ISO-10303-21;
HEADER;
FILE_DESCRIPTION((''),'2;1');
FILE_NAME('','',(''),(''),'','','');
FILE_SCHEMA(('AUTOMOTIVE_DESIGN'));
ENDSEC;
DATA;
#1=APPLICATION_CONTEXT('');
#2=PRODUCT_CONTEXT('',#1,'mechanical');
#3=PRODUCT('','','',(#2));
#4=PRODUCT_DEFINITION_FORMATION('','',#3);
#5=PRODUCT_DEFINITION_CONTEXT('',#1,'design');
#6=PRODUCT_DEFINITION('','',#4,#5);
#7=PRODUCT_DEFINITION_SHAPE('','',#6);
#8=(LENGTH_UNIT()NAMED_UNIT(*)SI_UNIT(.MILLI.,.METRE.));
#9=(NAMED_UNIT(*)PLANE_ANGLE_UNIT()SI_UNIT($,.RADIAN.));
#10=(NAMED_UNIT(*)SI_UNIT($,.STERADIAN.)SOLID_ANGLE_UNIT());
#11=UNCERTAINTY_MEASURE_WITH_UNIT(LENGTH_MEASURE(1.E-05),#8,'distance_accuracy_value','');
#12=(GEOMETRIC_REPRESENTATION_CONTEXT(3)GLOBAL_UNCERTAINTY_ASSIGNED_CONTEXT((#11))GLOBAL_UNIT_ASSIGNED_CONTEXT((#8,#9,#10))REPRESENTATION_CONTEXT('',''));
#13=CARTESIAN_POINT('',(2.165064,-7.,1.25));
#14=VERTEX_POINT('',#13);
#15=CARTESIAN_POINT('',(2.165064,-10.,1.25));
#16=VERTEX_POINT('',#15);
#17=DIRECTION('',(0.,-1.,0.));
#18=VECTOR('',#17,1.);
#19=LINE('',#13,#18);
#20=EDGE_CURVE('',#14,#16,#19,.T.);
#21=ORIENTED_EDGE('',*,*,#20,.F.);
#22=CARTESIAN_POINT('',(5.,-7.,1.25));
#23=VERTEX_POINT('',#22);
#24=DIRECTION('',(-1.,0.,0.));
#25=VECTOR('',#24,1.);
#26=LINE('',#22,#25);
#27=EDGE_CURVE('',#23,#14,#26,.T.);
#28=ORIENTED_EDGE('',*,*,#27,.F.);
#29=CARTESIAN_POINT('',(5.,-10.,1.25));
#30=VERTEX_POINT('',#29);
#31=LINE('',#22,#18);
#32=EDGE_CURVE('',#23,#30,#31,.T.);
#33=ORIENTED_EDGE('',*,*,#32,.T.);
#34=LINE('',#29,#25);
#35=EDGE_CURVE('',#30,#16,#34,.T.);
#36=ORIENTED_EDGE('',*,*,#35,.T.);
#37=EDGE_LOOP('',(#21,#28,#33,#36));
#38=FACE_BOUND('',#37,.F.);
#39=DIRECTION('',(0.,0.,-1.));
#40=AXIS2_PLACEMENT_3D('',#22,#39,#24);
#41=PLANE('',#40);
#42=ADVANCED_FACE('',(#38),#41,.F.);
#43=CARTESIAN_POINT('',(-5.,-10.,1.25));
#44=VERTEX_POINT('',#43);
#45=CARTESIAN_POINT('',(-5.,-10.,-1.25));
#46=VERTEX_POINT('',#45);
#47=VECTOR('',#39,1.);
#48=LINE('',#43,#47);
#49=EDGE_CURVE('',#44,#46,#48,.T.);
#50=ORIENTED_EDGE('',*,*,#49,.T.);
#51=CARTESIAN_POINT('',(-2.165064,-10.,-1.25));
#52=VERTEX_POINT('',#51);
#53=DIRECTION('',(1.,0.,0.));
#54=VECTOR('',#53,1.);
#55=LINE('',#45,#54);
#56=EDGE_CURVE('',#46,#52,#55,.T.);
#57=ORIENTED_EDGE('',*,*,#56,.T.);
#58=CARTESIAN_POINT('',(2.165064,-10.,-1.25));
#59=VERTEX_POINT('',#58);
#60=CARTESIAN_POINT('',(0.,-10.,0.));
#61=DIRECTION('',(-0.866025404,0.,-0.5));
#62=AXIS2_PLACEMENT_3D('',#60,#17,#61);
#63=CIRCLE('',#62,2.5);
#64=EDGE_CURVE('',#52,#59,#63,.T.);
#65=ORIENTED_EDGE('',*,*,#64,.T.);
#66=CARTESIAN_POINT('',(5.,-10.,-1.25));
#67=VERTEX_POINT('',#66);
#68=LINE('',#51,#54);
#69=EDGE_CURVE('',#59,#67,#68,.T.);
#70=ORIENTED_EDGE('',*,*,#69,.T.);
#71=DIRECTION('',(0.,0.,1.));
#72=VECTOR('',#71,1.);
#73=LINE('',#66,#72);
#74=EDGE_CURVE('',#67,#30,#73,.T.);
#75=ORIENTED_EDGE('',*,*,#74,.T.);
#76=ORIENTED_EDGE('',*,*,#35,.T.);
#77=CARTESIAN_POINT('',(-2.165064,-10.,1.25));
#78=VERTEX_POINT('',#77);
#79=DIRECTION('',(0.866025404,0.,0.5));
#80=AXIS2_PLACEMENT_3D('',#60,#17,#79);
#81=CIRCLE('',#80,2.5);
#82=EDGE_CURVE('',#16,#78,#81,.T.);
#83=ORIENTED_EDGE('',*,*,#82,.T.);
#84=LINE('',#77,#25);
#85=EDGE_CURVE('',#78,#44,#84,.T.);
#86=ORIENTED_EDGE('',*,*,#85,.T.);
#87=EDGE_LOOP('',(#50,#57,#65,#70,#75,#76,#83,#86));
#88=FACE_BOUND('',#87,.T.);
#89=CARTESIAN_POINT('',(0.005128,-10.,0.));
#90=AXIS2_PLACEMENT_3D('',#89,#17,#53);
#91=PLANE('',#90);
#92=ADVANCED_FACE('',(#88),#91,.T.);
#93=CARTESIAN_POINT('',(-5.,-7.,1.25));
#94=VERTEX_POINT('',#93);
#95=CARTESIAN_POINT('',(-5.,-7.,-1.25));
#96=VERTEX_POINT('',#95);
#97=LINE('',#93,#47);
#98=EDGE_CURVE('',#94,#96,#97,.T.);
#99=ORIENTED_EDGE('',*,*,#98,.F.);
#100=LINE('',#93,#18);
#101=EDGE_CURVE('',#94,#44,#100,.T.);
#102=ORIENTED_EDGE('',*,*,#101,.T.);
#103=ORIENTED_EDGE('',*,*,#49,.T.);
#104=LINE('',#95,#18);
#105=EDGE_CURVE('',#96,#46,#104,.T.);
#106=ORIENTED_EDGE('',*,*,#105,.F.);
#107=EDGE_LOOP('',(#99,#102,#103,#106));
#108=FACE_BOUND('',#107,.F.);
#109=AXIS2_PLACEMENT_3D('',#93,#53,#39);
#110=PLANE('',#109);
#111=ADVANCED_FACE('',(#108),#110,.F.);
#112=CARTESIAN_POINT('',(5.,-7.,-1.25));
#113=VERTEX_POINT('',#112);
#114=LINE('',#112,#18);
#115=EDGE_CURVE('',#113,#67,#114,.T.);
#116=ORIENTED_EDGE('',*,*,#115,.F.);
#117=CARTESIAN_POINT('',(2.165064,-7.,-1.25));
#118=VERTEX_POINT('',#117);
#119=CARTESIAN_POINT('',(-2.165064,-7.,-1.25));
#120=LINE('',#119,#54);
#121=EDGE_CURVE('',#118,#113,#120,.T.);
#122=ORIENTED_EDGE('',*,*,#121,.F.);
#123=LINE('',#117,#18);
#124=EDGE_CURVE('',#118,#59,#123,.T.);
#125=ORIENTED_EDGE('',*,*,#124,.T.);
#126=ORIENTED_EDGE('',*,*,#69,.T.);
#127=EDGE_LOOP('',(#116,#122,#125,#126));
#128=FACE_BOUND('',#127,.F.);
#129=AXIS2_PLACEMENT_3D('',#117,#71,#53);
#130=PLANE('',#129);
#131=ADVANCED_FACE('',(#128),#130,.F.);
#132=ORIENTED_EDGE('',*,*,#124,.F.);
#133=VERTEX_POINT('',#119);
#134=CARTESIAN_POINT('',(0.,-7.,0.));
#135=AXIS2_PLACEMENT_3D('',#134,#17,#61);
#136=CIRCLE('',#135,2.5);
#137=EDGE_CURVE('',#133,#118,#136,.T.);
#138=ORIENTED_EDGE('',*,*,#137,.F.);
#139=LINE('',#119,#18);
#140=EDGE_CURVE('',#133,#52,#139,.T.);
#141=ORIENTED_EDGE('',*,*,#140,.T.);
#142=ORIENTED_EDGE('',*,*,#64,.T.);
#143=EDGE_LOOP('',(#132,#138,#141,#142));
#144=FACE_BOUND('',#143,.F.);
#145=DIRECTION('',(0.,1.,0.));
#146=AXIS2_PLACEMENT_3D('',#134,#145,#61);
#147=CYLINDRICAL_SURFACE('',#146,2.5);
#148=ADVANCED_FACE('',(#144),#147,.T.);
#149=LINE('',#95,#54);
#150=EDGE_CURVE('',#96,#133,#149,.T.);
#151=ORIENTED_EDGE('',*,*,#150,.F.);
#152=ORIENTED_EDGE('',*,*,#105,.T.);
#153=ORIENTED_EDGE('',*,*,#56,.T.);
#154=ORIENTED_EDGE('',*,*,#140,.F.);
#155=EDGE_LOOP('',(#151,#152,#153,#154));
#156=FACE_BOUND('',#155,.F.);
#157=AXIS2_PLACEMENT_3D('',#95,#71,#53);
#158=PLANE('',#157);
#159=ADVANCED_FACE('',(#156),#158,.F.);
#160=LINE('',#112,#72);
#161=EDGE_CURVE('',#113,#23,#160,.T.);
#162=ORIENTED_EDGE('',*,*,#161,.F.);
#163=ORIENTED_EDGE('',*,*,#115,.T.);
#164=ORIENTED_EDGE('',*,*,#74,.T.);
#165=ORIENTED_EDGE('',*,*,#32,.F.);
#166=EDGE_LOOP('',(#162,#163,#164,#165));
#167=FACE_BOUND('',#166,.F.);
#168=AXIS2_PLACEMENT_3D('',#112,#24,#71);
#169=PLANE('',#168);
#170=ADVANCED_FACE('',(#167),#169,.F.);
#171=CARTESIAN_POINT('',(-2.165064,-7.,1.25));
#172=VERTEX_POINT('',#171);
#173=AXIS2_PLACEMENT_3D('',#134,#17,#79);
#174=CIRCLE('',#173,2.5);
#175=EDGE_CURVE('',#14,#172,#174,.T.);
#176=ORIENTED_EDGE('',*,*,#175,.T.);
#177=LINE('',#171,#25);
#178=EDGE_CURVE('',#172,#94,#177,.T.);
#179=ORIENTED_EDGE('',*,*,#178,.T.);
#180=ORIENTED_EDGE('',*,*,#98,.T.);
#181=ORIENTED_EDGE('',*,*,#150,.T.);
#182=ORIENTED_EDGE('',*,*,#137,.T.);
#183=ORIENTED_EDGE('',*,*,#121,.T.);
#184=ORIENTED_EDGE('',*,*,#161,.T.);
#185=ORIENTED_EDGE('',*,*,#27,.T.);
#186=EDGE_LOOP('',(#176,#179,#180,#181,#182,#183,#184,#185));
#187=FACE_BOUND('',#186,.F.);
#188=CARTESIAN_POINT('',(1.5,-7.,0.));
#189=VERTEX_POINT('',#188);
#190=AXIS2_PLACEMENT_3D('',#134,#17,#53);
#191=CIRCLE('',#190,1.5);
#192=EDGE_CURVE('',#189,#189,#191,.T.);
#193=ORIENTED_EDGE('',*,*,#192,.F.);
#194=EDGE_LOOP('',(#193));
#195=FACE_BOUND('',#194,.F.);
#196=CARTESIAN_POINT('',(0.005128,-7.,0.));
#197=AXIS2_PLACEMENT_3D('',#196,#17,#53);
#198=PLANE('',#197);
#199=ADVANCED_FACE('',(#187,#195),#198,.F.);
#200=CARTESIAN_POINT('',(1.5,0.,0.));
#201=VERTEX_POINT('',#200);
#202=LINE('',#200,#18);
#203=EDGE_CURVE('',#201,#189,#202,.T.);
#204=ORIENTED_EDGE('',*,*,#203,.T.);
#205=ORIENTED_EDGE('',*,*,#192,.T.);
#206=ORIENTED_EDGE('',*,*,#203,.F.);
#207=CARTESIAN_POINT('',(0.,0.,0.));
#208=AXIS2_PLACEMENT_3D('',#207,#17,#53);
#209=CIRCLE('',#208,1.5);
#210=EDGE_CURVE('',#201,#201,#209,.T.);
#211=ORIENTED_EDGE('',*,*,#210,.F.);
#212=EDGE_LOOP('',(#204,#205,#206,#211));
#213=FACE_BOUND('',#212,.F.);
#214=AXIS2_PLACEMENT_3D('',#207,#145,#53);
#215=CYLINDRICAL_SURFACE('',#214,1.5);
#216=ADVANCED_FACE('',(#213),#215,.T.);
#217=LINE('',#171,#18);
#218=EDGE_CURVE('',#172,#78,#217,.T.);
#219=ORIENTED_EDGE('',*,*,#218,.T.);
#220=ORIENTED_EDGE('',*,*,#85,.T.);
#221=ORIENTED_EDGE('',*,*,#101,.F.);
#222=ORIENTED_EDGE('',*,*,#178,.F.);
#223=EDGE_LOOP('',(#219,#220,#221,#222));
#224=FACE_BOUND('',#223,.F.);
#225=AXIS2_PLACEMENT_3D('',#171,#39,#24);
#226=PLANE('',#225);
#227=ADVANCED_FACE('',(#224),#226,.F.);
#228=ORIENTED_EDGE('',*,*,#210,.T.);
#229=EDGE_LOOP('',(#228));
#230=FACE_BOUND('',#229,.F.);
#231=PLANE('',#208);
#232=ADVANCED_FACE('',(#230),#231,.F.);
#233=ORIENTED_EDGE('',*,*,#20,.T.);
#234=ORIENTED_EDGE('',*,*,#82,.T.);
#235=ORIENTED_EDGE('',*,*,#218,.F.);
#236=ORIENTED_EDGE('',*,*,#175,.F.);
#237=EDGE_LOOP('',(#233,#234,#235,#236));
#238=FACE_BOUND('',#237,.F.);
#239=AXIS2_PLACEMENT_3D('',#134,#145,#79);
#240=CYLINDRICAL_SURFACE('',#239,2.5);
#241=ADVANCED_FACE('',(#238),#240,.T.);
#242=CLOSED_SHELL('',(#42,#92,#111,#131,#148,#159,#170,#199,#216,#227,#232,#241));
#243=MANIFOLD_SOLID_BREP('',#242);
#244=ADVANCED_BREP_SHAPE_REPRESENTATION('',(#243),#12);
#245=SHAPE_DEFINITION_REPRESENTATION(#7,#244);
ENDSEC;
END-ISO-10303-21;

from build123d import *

# Parameters (mm, degrees)
F0_R     = 1.5
F1_DEPTH = 7
F3_DEPTH = 3


with BuildPart() as f1:
    # F0 (on Front) → F1 (new body)
    with BuildSketch(Plane.XZ):
        Circle(F0_R)
    extrude(amount=F1_DEPTH)

    # F2 (on face) → F3 (join)
    with BuildSketch(Plane.XZ.offset(7)):
        with BuildLine():
            ThreePointArc((2.1650635095, -1.25), (2.4148145657, -0.6470476128), (2.5, 0))
            ThreePointArc((2.5, 0), (2.4148145657, 0.6470476128), (2.1650635095, 1.25))
            Line((2.1650635095, 1.25), (-2.1650635095, 1.25))
            ThreePointArc((-2.1650635095, 1.25), (-2.5, 0), (-2.1650635095, -1.25))
            Line((-2.1650635095, -1.25), (2.1650635095, -1.25))
        make_face()
        with BuildLine():
            ThreePointArc((2.1650635095, 1.25), (2.4148145657, 0.6470476128), (2.5, 0))
            ThreePointArc((2.5, 0), (2.4148145657, -0.6470476128), (2.1650635095, -1.25))
            Line((2.1650635095, -1.25), (5, -1.25))
            Line((5, -1.25), (5, 1.25))
            Line((5, 1.25), (2.1650635095, 1.25))
        make_face()
        with BuildLine():
            Line((-2.1650635095, 1.25), (2.1650635095, 1.25))
            ThreePointArc((2.1650635095, 1.25), (0, 2.5), (-2.1650635095, 1.25))
        make_face()
        with BuildLine():
            ThreePointArc((-2.1650635095, -1.25), (0, -2.5), (2.1650635095, -1.25))
            Line((2.1650635095, -1.25), (-2.1650635095, -1.25))
        make_face()
        with BuildLine():
            ThreePointArc((-2.1650635095, -1.25), (-2.5, 0), (-2.1650635095, 1.25))
            Line((-2.1650635095, 1.25), (-5, 1.25))
            Line((-5, 1.25), (-5, -1.25))
            Line((-5, -1.25), (-2.1650635095, -1.25))
        make_face()
    extrude(amount=F3_DEPTH)


solid = f1.part
